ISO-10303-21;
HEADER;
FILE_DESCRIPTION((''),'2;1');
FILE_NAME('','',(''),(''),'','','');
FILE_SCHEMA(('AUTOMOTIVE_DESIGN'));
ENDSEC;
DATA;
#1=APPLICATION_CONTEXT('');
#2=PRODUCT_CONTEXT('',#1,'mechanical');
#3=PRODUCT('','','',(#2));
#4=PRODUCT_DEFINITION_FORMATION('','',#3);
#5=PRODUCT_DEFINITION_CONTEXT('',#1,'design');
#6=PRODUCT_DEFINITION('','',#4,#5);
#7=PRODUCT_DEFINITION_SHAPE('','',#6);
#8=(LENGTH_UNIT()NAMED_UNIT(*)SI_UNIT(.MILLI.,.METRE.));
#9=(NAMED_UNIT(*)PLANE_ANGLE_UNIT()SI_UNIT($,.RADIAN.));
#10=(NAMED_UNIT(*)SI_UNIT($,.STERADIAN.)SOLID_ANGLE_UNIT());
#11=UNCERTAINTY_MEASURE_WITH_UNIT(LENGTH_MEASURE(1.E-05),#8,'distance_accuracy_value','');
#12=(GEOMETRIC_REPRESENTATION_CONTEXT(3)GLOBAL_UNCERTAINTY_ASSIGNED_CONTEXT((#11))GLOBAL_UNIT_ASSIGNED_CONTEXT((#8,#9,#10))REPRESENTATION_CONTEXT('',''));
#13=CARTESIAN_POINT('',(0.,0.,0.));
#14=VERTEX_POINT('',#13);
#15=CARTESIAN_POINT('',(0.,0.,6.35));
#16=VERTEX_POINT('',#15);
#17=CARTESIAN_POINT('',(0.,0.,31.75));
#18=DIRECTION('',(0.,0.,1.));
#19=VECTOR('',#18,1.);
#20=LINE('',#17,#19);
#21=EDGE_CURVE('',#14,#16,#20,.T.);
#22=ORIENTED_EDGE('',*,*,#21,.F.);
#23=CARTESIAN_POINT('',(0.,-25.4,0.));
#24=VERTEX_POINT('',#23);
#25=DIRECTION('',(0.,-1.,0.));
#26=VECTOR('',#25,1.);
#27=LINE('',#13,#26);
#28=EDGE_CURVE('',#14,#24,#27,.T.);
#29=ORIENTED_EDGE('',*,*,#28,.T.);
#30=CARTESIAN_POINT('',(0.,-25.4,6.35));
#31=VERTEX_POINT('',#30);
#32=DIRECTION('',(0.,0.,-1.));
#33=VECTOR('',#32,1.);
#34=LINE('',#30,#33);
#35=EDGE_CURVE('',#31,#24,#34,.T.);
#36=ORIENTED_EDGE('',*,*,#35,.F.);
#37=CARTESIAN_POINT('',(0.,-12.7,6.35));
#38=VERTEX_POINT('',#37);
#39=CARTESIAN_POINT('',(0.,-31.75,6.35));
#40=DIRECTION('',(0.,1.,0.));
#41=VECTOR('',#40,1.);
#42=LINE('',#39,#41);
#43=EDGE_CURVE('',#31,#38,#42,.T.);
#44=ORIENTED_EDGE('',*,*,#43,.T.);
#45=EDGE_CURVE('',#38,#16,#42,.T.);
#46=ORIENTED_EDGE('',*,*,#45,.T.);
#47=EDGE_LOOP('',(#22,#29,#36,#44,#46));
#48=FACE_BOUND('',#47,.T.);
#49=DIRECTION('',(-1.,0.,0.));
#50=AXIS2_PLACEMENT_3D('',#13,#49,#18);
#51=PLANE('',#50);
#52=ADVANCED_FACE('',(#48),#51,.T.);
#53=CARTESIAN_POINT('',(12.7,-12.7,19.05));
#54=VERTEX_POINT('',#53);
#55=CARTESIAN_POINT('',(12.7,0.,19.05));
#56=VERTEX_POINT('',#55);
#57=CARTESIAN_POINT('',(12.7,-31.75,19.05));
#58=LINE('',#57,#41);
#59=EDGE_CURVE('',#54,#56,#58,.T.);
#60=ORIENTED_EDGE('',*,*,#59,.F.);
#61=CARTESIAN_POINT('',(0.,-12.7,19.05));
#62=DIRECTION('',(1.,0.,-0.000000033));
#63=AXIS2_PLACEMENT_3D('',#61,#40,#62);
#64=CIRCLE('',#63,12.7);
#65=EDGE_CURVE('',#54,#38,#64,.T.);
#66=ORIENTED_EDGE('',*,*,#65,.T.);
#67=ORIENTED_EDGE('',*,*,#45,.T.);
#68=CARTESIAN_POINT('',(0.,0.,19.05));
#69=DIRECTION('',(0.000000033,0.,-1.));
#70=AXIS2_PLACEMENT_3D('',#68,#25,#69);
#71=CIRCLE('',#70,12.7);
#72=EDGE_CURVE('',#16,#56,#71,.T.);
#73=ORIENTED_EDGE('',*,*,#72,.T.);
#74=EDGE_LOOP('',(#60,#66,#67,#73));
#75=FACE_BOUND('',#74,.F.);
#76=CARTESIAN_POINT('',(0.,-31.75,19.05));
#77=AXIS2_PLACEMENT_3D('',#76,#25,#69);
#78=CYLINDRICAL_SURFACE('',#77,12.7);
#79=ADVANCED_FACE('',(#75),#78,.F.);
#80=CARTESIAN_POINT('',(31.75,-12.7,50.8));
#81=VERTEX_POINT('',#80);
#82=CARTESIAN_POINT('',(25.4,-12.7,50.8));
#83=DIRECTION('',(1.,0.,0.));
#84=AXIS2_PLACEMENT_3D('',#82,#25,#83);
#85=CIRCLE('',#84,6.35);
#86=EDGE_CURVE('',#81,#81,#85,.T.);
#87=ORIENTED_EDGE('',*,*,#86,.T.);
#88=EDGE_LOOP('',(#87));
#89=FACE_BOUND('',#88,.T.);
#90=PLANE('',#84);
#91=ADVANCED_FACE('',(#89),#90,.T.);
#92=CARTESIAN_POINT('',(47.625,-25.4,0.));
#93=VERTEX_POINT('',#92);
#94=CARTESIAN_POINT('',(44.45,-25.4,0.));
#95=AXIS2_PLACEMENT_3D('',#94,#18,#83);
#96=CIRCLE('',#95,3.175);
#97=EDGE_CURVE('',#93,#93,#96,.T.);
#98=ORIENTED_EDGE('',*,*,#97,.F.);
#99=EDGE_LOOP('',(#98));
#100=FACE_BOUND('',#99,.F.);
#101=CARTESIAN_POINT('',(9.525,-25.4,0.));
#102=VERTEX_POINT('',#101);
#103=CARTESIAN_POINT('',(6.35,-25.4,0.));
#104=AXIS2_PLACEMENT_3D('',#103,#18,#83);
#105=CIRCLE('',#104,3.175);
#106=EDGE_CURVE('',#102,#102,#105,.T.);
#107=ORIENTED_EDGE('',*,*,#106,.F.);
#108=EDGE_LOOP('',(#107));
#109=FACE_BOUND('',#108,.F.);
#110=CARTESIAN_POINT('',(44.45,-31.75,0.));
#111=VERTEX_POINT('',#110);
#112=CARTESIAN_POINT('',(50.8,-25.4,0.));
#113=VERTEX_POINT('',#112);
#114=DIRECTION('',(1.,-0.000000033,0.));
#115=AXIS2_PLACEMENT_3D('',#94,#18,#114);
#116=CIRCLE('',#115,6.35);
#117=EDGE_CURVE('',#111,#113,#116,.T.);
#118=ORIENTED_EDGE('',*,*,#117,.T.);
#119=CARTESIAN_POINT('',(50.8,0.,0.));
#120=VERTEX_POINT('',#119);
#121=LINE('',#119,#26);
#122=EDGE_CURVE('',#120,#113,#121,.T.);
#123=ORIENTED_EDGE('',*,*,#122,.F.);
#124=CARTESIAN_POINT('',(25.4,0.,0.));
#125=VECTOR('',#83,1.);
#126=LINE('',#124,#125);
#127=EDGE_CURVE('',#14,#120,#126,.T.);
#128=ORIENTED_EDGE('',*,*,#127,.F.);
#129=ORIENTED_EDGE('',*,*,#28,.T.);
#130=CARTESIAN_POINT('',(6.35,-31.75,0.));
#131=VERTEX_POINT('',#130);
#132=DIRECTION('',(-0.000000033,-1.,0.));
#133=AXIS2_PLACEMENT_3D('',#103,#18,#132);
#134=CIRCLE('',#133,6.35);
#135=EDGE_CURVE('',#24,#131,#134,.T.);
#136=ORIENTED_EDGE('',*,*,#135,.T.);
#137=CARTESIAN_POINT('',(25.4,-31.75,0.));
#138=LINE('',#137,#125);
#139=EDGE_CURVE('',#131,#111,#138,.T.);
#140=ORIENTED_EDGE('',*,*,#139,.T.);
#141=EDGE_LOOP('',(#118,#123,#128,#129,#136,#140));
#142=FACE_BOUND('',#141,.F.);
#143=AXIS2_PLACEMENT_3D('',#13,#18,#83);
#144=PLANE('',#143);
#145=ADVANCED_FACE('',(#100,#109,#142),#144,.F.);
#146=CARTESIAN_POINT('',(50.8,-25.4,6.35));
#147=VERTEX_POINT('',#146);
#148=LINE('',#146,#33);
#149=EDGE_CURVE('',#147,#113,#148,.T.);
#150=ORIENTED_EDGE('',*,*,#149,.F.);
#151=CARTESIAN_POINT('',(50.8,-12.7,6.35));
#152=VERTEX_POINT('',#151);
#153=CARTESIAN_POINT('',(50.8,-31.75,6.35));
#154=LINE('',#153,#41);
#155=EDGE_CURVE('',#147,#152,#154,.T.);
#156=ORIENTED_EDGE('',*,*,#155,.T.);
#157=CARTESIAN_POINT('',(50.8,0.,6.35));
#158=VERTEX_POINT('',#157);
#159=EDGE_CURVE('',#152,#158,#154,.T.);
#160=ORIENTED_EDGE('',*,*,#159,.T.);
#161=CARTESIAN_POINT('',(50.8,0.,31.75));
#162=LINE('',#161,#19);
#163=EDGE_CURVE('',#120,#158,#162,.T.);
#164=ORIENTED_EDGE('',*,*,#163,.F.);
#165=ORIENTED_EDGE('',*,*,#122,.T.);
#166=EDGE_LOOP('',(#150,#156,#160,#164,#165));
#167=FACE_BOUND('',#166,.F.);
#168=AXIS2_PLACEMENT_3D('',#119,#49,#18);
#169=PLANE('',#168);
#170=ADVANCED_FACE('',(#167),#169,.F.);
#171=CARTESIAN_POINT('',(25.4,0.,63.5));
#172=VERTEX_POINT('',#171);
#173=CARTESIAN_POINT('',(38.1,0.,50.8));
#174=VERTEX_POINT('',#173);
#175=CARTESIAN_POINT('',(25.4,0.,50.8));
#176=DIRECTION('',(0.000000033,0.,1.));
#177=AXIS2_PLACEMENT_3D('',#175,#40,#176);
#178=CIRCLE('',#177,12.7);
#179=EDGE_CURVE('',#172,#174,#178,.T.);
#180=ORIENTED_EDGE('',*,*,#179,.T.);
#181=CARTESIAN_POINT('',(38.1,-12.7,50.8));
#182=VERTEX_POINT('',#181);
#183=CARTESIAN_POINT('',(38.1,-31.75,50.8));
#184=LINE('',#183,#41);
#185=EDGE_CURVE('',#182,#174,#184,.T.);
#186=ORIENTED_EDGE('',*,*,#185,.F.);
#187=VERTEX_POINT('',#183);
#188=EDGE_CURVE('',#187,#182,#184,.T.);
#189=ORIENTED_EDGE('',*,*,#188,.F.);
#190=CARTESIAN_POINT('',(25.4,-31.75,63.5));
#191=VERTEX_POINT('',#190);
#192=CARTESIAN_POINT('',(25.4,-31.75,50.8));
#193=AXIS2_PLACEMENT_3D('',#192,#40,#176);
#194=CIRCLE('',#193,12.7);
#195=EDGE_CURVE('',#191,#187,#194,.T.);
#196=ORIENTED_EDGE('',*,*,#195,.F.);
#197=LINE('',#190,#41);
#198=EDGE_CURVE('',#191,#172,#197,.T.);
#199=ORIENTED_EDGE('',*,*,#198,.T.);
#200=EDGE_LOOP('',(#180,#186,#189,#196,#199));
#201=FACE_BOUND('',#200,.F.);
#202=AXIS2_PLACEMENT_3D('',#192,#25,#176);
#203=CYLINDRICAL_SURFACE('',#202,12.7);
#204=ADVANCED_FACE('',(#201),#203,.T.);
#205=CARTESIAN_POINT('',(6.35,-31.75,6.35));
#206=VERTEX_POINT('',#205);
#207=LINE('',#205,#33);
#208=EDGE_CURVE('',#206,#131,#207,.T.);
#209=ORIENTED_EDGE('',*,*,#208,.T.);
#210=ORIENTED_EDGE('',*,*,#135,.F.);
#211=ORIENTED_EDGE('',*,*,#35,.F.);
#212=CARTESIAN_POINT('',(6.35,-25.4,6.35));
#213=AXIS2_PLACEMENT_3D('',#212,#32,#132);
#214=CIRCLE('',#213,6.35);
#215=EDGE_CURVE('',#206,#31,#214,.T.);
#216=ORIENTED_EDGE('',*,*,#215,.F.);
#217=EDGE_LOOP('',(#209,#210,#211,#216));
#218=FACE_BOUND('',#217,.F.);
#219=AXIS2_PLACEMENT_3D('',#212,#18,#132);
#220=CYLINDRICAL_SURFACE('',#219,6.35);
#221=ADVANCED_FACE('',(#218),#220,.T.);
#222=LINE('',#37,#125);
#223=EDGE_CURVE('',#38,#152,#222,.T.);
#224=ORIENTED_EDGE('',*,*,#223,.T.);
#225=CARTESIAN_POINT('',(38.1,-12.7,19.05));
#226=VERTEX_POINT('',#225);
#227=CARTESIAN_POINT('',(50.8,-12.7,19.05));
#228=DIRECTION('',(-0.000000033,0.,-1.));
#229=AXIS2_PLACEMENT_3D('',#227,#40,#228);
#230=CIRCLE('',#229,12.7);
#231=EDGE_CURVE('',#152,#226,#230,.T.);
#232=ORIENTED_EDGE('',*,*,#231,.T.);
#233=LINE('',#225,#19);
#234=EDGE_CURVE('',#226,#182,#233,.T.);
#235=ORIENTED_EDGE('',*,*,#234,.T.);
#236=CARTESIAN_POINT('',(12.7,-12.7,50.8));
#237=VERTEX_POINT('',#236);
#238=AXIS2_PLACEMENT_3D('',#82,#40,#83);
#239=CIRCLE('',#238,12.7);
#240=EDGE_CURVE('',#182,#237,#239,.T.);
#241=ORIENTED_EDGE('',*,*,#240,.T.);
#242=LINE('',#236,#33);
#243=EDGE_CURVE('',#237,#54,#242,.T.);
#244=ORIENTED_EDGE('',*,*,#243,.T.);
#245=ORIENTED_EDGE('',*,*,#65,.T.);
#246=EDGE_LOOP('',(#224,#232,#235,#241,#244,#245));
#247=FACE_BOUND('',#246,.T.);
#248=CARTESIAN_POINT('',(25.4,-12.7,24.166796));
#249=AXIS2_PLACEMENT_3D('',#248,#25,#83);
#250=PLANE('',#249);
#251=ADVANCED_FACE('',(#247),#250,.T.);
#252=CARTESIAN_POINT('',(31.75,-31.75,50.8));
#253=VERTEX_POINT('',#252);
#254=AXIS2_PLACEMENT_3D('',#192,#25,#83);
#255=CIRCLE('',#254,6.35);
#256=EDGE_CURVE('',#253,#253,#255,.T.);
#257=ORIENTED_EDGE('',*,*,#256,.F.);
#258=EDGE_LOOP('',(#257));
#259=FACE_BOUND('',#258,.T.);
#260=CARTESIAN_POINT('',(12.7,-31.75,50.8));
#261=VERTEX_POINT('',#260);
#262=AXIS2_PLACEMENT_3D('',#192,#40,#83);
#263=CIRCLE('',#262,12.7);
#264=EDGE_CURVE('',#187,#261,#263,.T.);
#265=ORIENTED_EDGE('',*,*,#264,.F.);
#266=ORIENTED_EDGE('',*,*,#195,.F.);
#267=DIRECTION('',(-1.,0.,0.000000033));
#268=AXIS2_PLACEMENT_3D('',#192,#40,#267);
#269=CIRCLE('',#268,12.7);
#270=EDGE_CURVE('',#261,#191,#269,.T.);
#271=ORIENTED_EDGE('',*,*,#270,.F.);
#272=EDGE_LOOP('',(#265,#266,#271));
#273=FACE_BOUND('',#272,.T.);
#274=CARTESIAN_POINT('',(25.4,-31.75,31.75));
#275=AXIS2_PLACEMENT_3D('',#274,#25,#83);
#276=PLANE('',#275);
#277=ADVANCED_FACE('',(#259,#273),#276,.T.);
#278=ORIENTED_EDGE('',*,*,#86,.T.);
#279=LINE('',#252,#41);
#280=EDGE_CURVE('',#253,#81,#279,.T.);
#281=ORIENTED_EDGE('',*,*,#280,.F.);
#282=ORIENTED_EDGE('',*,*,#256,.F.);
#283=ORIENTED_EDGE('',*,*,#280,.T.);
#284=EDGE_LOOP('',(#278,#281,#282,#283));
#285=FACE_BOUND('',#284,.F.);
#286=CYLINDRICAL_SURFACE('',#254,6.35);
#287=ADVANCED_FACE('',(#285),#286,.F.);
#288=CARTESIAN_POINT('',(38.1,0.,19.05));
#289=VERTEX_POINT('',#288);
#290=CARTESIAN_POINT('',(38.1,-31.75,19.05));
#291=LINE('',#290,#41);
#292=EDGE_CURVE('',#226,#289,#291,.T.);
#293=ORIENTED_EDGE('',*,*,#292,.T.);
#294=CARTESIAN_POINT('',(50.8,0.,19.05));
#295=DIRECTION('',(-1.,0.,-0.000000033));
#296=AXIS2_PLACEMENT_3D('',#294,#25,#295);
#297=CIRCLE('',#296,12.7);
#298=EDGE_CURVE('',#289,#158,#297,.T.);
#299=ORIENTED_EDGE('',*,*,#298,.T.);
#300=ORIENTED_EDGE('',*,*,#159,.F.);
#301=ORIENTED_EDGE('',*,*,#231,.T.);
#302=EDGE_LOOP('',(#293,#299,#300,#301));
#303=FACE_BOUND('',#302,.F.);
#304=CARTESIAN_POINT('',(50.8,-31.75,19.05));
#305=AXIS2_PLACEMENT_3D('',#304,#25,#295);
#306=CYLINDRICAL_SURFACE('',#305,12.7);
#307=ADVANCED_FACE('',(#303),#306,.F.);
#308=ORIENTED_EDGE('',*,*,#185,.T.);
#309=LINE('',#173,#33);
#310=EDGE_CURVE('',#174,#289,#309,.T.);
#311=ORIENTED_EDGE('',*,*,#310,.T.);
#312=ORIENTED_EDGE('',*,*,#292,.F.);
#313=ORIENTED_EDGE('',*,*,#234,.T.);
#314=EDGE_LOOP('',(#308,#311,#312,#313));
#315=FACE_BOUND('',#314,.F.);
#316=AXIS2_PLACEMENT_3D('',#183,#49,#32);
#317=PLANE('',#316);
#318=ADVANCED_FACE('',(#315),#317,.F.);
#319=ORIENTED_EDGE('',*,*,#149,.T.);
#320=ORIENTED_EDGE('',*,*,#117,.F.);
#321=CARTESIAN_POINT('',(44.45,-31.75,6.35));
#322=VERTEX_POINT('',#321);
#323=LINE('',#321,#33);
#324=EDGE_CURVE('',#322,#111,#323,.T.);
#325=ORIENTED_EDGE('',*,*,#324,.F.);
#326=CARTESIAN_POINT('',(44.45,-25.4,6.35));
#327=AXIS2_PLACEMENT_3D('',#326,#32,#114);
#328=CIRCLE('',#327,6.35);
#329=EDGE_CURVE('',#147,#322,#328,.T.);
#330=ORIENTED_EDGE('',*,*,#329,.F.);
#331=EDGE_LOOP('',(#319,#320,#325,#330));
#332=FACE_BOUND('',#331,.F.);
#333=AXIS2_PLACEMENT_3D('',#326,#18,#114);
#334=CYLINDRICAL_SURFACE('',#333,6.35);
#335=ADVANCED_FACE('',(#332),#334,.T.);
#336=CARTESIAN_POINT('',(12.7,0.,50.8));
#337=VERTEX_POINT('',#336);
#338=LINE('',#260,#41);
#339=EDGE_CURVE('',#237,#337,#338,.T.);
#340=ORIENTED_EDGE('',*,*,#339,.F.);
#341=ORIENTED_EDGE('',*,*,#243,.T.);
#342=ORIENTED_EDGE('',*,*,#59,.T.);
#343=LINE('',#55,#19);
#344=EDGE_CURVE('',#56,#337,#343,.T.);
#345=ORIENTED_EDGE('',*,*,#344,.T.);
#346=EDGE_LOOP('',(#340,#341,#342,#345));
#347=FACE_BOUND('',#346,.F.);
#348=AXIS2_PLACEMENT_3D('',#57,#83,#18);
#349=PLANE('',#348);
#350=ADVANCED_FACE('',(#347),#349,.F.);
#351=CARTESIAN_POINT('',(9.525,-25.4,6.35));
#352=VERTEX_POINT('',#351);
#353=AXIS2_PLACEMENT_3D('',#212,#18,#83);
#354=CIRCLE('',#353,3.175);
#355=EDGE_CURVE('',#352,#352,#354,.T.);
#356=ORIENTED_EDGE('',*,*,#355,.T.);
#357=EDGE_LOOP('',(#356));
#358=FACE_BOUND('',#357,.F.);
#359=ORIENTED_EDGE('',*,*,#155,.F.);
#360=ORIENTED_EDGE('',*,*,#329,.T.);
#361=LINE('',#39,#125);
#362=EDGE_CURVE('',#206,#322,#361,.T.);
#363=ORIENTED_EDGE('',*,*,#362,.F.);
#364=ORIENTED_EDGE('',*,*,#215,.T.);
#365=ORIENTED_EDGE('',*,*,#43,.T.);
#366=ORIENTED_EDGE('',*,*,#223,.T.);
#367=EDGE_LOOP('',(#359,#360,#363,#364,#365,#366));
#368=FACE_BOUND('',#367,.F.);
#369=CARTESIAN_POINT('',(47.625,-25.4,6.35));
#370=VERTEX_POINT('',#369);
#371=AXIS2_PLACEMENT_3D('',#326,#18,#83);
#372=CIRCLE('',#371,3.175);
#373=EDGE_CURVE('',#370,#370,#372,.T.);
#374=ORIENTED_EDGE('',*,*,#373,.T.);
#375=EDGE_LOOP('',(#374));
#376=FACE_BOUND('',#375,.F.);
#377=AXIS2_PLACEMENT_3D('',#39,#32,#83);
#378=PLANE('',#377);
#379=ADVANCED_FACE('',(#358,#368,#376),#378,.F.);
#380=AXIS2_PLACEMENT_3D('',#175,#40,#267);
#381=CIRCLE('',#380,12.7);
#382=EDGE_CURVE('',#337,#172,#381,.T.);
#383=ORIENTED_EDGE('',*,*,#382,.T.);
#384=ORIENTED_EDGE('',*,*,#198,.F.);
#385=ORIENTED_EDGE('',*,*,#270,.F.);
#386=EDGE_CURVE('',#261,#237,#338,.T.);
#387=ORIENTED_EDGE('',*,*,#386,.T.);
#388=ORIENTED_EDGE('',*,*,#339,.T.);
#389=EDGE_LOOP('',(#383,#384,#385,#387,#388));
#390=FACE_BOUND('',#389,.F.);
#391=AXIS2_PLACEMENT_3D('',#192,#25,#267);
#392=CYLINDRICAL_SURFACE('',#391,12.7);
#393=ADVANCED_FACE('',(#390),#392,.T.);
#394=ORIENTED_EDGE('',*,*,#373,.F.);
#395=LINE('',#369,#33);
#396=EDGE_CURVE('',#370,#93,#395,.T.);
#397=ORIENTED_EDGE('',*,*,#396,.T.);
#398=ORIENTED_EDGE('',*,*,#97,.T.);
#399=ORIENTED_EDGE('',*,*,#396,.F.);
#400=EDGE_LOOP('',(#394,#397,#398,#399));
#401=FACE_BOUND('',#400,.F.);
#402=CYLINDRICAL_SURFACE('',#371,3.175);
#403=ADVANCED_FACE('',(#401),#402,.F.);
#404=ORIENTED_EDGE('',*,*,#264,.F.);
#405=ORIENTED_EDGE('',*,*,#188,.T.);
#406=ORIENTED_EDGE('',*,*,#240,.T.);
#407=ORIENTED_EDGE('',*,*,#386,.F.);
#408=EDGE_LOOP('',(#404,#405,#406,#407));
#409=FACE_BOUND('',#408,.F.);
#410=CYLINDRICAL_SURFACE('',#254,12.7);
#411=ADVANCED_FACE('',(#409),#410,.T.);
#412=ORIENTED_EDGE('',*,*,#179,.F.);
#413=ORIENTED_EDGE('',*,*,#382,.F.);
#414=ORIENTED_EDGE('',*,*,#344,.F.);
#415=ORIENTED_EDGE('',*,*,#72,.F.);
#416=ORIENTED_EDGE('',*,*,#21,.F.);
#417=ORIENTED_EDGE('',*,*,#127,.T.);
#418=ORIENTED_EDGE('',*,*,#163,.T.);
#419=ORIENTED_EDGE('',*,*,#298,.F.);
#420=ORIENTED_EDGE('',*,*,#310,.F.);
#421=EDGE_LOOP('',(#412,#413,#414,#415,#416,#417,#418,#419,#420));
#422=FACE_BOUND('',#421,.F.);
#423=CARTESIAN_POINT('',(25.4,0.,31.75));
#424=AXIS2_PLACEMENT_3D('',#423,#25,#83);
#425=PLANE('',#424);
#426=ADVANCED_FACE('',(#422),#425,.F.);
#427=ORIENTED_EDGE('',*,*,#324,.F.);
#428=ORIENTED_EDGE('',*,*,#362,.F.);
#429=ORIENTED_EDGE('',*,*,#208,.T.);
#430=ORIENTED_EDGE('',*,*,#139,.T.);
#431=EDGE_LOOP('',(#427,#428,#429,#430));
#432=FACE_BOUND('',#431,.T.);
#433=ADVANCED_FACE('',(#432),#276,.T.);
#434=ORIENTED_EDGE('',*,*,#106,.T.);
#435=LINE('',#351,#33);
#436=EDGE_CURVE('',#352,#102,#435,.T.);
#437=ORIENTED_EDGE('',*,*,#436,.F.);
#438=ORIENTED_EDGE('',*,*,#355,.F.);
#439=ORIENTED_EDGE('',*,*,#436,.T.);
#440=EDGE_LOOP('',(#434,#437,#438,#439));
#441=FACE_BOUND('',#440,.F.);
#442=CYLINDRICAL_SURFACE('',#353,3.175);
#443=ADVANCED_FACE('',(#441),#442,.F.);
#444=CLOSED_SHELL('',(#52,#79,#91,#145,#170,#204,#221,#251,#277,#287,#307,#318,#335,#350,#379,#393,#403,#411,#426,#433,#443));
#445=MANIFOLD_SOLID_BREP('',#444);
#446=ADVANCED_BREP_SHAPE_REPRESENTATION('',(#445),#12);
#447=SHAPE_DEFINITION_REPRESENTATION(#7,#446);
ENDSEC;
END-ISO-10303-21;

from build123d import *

# Parameters (mm, degrees)
F0_W     = 50.8
F0_H     = 63.5
F1_DEPTH = 31.75
F3_DEPTH = 31.75
F4_R     = 6.35
F5_DEPTH = 19.05
F6_R     = 3.175
F7_DEPTH = 25.4


with BuildPart() as f1:
    # F0 (on Front) → F1 (new body)
    with BuildSketch(Plane.XZ):
        with Locations((25.4, 31.75)):
            Rectangle(F0_W, F0_H)
    extrude(amount=F1_DEPTH)

    # F2 (on face) → F3 (cut)
    with BuildSketch(Plane.XZ.offset(31.75)):
        with BuildLine():
            Line((0, 63.5), (0, 6.35))
            ThreePointArc((0, 6.35), (8.980256, 10.069744), (12.7, 19.05))
            Line((12.7, 19.05), (12.7, 50.8))
            ThreePointArc((12.7, 50.8), (16.419744, 59.780256), (25.4, 63.5))
            Line((25.4, 63.5), (0, 63.5))
        make_face()
        with BuildLine():
            ThreePointArc((38.1, 19.05), (41.819744, 10.069744), (50.8, 6.35))
            Line((50.8, 6.35), (50.8, 63.5))
            Line((50.8, 63.5), (25.4, 63.5))
            ThreePointArc((25.4, 63.5), (34.380256, 59.780256), (38.1, 50.8))
            Line((38.1, 50.8), (38.1, 19.05))
        make_face()
    extrude(amount=-F3_DEPTH, mode=Mode.SUBTRACT)

    # F4 (on face) → F5 (cut)
    with BuildSketch(Plane.XZ.offset(31.75)):
        with BuildLine():
            Line((38.1, 19.05), (38.1, 50.8))
            ThreePointArc((38.1, 50.8), (25.4, 38.1), (12.7, 50.8))
            Line((12.7, 50.8), (12.7, 19.05))
            ThreePointArc((12.7, 19.05), (8.980256, 10.069744), (0, 6.35))
            Line((0, 6.35), (50.8, 6.35))
            ThreePointArc((50.8, 6.35), (41.819744, 10.069744), (38.1, 19.05))
        make_face()
        with Locations((25.4, 50.8)):
            Circle(F4_R)
    extrude(amount=-F5_DEPTH, mode=Mode.SUBTRACT)

    # F6 (on face) → F7 (cut)
    with BuildSketch(Plane.XY.offset(6.35)):
        with Locations((6.35, -25.4)):
            Circle(F6_R)
        with BuildLine():
            ThreePointArc((6.35, -31.75), (1.859872, -29.890128), (0, -25.4))
            Line((0, -25.4), (0, -31.75))
            Line((0, -31.75), (6.35, -31.75))
        make_face()
        with Locations((44.45, -25.4)):
            Circle(F6_R)
        with BuildLine():
            ThreePointArc((50.8, -25.4), (48.940128, -29.890128), (44.45, -31.75))
            Line((44.45, -31.75), (50.8, -31.75))
            Line((50.8, -31.75), (50.8, -25.4))
        make_face()
    extrude(amount=-F7_DEPTH, mode=Mode.SUBTRACT)


solid = f1.part
